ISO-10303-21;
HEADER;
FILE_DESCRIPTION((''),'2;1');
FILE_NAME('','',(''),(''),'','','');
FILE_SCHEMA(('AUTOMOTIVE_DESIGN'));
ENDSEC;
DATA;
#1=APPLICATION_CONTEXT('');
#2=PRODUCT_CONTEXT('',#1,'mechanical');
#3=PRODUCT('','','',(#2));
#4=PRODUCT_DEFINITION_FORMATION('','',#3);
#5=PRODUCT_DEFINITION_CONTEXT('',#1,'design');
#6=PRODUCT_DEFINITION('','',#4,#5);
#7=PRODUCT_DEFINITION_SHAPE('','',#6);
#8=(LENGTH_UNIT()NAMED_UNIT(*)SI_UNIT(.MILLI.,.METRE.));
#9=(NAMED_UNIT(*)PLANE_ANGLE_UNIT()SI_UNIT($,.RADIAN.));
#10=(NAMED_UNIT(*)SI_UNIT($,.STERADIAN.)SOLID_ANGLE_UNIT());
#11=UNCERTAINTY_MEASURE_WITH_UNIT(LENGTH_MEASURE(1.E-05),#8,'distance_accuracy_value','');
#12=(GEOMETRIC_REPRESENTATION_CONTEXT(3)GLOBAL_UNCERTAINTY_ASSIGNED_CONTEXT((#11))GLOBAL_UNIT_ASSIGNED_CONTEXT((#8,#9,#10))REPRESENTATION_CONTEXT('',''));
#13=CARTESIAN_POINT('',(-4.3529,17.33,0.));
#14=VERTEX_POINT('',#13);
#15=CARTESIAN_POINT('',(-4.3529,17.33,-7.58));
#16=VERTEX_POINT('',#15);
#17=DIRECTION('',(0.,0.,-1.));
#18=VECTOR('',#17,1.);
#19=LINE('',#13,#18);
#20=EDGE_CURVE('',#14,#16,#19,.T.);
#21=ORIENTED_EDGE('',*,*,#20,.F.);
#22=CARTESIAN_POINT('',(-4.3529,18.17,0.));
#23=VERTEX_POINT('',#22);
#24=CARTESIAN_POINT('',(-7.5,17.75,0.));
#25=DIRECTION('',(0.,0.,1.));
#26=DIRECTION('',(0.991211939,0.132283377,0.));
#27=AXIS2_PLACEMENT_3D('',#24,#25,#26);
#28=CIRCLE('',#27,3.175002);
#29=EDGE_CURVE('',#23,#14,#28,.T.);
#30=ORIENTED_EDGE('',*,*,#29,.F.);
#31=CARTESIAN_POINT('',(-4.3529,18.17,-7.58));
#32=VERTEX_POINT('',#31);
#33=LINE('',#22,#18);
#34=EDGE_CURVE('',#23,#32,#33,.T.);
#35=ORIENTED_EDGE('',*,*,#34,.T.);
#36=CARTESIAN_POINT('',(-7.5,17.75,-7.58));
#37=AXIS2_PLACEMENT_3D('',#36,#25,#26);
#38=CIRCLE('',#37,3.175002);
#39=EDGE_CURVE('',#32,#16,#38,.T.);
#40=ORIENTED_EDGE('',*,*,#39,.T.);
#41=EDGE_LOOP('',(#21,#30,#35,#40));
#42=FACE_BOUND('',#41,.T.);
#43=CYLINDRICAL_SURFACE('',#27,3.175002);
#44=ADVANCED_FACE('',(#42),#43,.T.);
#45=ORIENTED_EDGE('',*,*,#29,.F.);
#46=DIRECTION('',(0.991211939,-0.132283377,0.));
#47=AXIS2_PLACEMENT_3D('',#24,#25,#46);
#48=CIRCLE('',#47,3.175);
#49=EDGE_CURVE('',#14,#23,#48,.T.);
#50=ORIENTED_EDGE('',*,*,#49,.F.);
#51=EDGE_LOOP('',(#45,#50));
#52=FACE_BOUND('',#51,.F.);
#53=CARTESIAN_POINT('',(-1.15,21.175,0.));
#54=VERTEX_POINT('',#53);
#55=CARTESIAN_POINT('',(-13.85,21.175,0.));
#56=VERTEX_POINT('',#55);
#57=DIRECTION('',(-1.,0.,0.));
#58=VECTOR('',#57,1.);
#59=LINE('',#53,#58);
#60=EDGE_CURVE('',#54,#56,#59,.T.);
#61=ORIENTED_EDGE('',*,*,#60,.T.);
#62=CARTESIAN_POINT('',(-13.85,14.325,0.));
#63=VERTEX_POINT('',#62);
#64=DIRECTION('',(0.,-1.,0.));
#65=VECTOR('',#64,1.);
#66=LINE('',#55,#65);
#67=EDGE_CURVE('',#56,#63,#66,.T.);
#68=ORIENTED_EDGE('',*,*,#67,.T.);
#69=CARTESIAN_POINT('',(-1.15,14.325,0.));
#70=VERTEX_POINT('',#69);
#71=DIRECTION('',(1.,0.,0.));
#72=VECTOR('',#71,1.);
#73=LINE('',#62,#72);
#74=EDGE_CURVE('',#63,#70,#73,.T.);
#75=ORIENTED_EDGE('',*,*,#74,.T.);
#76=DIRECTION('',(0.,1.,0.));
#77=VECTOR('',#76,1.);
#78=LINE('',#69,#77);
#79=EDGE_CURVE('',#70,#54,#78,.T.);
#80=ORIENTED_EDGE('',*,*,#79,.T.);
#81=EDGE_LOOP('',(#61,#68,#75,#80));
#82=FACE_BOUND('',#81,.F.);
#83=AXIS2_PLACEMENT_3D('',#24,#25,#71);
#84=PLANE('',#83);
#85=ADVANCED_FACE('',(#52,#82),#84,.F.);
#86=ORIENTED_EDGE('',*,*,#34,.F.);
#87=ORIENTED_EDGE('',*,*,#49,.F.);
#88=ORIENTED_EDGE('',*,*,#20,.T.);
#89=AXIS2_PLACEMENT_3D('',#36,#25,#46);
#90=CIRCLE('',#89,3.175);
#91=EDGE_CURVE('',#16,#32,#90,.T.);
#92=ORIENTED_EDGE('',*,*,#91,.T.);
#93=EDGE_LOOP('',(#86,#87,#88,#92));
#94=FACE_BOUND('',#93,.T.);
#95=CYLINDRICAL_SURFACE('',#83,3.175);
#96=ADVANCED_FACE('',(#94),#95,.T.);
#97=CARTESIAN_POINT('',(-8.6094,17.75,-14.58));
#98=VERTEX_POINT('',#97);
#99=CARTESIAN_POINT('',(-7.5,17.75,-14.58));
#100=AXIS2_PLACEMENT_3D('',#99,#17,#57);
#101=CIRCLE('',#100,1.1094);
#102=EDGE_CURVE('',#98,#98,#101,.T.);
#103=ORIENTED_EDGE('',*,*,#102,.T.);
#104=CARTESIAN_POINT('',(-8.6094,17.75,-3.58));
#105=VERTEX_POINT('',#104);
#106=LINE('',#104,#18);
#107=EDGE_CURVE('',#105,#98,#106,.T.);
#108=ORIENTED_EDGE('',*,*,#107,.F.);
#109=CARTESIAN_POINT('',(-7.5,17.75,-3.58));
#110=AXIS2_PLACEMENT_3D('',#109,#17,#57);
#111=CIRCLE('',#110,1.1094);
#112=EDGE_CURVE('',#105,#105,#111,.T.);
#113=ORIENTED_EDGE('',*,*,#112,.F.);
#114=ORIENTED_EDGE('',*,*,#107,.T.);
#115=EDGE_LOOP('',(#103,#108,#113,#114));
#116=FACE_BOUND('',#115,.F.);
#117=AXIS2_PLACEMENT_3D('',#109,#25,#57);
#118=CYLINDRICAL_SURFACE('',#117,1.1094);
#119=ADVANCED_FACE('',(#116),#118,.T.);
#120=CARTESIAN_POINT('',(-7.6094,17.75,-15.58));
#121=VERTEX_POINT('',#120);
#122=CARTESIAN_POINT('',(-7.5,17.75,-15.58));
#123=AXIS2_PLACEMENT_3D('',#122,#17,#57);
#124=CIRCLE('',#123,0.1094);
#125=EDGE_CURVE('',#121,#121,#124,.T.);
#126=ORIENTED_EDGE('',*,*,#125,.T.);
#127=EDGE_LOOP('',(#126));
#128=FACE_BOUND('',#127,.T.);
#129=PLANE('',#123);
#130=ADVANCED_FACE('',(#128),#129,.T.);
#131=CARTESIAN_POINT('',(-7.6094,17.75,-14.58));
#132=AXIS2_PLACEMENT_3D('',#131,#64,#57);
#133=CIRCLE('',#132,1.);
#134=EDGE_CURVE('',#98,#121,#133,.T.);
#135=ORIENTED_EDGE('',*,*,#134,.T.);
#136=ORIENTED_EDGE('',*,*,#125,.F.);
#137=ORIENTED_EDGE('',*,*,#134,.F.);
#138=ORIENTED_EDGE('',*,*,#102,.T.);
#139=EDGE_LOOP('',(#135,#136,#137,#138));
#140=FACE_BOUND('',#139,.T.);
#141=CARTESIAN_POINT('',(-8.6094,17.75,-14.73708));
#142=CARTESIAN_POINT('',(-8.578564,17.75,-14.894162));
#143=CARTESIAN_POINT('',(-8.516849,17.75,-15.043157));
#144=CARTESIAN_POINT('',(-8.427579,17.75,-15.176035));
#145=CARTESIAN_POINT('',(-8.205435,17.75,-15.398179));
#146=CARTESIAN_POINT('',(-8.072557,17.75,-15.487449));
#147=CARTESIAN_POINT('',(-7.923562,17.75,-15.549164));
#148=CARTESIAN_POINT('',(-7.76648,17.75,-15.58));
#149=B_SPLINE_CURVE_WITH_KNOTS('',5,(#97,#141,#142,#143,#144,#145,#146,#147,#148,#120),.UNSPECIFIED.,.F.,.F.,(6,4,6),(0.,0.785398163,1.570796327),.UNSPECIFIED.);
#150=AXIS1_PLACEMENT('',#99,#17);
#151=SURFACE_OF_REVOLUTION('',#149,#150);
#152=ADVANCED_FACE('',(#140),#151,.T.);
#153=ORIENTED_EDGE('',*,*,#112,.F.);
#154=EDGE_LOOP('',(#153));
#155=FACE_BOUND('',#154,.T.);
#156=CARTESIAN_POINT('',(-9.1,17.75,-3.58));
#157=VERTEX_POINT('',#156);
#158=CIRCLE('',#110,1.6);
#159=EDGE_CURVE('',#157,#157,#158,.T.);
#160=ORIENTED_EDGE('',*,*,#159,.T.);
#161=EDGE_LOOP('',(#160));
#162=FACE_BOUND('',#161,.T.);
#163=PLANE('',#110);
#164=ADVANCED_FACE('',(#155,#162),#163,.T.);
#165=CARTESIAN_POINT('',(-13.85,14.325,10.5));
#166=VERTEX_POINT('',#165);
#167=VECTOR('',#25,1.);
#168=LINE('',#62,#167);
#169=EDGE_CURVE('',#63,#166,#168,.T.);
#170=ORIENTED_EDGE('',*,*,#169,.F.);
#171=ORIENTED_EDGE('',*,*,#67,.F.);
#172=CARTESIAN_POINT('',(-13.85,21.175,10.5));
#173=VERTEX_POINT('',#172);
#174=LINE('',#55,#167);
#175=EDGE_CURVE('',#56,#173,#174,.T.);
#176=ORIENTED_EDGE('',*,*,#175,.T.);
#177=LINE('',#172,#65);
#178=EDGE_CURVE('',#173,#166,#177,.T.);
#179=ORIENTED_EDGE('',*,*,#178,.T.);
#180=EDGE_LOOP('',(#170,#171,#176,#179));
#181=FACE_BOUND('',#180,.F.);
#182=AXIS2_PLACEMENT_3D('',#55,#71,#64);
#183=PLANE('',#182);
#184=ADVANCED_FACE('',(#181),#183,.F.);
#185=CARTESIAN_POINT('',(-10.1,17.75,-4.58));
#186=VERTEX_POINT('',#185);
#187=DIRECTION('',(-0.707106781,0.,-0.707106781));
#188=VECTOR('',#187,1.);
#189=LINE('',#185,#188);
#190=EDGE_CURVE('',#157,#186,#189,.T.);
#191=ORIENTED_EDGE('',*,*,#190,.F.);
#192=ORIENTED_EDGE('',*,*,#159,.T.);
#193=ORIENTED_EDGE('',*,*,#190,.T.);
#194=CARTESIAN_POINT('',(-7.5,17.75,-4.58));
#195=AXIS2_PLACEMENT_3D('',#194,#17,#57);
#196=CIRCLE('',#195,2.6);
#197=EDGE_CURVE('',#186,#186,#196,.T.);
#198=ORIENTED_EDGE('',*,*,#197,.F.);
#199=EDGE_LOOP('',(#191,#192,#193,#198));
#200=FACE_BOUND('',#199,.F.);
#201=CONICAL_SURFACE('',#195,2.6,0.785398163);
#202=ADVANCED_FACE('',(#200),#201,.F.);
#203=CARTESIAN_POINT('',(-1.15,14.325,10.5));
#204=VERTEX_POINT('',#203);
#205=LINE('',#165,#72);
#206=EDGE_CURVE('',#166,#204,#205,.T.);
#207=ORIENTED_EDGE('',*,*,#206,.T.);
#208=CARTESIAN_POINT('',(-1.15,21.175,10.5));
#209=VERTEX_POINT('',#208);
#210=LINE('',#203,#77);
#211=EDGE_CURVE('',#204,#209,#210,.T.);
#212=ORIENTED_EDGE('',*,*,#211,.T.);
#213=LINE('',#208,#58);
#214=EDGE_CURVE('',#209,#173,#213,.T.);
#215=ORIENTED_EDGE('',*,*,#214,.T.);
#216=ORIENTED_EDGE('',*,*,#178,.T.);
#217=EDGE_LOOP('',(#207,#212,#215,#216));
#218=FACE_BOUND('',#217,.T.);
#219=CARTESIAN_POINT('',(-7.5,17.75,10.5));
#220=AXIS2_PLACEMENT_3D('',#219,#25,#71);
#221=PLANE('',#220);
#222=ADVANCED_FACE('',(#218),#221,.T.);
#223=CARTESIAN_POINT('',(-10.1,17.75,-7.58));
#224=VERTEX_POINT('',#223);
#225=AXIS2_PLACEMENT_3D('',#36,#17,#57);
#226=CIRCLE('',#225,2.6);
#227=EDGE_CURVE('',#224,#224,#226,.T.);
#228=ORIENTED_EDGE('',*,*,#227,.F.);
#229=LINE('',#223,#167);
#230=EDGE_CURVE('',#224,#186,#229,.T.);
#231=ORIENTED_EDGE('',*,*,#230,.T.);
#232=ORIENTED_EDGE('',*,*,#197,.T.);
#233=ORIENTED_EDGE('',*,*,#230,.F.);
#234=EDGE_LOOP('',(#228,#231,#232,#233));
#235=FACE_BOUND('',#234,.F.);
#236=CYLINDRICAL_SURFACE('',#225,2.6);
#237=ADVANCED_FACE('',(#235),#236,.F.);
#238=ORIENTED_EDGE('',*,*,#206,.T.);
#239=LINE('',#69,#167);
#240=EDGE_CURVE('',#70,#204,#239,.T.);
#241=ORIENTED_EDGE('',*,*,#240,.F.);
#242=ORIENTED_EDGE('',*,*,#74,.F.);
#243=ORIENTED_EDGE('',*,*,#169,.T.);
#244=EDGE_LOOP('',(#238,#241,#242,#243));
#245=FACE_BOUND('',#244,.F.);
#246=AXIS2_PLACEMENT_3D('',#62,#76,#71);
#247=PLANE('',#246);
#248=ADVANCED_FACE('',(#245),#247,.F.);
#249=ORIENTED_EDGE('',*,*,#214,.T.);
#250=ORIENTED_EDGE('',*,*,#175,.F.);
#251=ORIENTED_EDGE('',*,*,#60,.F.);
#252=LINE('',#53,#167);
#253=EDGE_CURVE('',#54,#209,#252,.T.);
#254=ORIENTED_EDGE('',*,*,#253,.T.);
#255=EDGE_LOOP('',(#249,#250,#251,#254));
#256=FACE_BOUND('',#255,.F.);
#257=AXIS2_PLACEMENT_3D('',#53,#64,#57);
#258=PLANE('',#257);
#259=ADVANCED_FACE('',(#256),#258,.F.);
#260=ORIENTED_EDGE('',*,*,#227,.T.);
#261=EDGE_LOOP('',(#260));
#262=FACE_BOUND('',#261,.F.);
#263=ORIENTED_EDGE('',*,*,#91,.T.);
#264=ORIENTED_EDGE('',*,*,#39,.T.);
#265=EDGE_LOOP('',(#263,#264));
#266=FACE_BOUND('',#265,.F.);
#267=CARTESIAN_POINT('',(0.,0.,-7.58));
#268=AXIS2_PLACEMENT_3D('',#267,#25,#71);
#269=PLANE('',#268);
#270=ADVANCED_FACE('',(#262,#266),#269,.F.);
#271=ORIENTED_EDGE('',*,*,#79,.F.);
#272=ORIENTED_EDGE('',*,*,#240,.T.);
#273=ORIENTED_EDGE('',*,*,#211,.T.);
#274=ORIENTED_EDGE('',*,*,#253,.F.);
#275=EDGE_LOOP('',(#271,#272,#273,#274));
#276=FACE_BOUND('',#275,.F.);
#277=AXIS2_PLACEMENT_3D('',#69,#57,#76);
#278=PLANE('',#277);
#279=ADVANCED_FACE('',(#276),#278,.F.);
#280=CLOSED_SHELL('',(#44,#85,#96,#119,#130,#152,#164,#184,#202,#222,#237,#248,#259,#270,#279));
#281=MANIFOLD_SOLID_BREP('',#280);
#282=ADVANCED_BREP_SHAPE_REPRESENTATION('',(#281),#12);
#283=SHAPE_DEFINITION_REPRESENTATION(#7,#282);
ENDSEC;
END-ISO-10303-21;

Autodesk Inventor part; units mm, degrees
ref_plane "YZ Plane" through (0, 0, 0) normal (1, 0, 0) x (0, 1, 0)
ref_plane "XZ Plane" through (0, 0, 0) normal (0, 1, 0) x (-1, 0, 0)
ref_plane "XY Plane" through (0, 0, 0) normal (0, 0, 1) x (1, 0, 0)
ref_plane "Work Plane1" through (0, 0, 0) normal (0, 0, 1) x (1, 0, 0)
sketch "Sketch1" plane through (0, 0, 0) normal (0, 0, 1) x (1, 0, 0)
  arc A0 (-4.3529, 18.17) -> (-4.3529, 17.33) centre (-7.5, 17.75) ccw projected
  circle A1 centre (-7.5, 17.75) radius 3.175
  point P0 (0, 0)
  dimension "d0" = 6.35
extrude "Extrusion1" add sketch "Sketch1" against normal blind 7.58
sketch "Sketch2" plane through (-7.5, 17.75, 0) normal (0, 0, 1) x (1, 0, 0)
  line L0 (-6.35, -3.425) -> (6.35, -3.425)
  line L1 (6.35, -3.425) -> (6.35, 3.425)
  line L2 (6.35, 3.425) -> (-6.35, 3.425)
  line L3 (-6.35, 3.425) -> (-6.35, -3.425)
  line L4 (-6.35, -3.425) -> (6.35, 3.425) construction
  line L5 (6.35, -3.425) -> (-6.35, 3.425) construction
  point P0 (7.5, -17.75)
  point P1 (0, 0)
  dimension "d3" = 12.7
  dimension "d4" = 6.85
extrude "Extrusion2" add sketch "Sketch2" along normal blind 10.5
sketch "Sketch3" plane through (-7.5, 17.75, -7.58) normal (0, 0, -1) x (-1, 0, 0)
  circle A0 centre (0, 0) radius 2.6
  point P0 (-7.5, -17.75)
  dimension "d7" = 5.2
extrude "Extrusion3" cut sketch "Sketch3" against normal blind 4
sketch "Sketch4" plane through (-7.5, 17.75, -3.58) normal (0, 0, -1) x (-1, 0, 0)
  circle A0 centre (0, 0) radius 1.1094
  point P0 (-7.5, -17.75)
extrude "Extrusion4" add sketch "Sketch4" along normal blind 12
fillet "Fillet1" radius 1 1 edges at (-6.3906, 17.75, -15.58)
thread "Thread1" size "M7x0.75" class "6g" standard "ISO Metric profile" length 15.103
chamfer "Chamfer1" distance 1 angle 45 1 edges at (-4.9, 17.75, -3.58)
properties part number "AST13SEBQ"
